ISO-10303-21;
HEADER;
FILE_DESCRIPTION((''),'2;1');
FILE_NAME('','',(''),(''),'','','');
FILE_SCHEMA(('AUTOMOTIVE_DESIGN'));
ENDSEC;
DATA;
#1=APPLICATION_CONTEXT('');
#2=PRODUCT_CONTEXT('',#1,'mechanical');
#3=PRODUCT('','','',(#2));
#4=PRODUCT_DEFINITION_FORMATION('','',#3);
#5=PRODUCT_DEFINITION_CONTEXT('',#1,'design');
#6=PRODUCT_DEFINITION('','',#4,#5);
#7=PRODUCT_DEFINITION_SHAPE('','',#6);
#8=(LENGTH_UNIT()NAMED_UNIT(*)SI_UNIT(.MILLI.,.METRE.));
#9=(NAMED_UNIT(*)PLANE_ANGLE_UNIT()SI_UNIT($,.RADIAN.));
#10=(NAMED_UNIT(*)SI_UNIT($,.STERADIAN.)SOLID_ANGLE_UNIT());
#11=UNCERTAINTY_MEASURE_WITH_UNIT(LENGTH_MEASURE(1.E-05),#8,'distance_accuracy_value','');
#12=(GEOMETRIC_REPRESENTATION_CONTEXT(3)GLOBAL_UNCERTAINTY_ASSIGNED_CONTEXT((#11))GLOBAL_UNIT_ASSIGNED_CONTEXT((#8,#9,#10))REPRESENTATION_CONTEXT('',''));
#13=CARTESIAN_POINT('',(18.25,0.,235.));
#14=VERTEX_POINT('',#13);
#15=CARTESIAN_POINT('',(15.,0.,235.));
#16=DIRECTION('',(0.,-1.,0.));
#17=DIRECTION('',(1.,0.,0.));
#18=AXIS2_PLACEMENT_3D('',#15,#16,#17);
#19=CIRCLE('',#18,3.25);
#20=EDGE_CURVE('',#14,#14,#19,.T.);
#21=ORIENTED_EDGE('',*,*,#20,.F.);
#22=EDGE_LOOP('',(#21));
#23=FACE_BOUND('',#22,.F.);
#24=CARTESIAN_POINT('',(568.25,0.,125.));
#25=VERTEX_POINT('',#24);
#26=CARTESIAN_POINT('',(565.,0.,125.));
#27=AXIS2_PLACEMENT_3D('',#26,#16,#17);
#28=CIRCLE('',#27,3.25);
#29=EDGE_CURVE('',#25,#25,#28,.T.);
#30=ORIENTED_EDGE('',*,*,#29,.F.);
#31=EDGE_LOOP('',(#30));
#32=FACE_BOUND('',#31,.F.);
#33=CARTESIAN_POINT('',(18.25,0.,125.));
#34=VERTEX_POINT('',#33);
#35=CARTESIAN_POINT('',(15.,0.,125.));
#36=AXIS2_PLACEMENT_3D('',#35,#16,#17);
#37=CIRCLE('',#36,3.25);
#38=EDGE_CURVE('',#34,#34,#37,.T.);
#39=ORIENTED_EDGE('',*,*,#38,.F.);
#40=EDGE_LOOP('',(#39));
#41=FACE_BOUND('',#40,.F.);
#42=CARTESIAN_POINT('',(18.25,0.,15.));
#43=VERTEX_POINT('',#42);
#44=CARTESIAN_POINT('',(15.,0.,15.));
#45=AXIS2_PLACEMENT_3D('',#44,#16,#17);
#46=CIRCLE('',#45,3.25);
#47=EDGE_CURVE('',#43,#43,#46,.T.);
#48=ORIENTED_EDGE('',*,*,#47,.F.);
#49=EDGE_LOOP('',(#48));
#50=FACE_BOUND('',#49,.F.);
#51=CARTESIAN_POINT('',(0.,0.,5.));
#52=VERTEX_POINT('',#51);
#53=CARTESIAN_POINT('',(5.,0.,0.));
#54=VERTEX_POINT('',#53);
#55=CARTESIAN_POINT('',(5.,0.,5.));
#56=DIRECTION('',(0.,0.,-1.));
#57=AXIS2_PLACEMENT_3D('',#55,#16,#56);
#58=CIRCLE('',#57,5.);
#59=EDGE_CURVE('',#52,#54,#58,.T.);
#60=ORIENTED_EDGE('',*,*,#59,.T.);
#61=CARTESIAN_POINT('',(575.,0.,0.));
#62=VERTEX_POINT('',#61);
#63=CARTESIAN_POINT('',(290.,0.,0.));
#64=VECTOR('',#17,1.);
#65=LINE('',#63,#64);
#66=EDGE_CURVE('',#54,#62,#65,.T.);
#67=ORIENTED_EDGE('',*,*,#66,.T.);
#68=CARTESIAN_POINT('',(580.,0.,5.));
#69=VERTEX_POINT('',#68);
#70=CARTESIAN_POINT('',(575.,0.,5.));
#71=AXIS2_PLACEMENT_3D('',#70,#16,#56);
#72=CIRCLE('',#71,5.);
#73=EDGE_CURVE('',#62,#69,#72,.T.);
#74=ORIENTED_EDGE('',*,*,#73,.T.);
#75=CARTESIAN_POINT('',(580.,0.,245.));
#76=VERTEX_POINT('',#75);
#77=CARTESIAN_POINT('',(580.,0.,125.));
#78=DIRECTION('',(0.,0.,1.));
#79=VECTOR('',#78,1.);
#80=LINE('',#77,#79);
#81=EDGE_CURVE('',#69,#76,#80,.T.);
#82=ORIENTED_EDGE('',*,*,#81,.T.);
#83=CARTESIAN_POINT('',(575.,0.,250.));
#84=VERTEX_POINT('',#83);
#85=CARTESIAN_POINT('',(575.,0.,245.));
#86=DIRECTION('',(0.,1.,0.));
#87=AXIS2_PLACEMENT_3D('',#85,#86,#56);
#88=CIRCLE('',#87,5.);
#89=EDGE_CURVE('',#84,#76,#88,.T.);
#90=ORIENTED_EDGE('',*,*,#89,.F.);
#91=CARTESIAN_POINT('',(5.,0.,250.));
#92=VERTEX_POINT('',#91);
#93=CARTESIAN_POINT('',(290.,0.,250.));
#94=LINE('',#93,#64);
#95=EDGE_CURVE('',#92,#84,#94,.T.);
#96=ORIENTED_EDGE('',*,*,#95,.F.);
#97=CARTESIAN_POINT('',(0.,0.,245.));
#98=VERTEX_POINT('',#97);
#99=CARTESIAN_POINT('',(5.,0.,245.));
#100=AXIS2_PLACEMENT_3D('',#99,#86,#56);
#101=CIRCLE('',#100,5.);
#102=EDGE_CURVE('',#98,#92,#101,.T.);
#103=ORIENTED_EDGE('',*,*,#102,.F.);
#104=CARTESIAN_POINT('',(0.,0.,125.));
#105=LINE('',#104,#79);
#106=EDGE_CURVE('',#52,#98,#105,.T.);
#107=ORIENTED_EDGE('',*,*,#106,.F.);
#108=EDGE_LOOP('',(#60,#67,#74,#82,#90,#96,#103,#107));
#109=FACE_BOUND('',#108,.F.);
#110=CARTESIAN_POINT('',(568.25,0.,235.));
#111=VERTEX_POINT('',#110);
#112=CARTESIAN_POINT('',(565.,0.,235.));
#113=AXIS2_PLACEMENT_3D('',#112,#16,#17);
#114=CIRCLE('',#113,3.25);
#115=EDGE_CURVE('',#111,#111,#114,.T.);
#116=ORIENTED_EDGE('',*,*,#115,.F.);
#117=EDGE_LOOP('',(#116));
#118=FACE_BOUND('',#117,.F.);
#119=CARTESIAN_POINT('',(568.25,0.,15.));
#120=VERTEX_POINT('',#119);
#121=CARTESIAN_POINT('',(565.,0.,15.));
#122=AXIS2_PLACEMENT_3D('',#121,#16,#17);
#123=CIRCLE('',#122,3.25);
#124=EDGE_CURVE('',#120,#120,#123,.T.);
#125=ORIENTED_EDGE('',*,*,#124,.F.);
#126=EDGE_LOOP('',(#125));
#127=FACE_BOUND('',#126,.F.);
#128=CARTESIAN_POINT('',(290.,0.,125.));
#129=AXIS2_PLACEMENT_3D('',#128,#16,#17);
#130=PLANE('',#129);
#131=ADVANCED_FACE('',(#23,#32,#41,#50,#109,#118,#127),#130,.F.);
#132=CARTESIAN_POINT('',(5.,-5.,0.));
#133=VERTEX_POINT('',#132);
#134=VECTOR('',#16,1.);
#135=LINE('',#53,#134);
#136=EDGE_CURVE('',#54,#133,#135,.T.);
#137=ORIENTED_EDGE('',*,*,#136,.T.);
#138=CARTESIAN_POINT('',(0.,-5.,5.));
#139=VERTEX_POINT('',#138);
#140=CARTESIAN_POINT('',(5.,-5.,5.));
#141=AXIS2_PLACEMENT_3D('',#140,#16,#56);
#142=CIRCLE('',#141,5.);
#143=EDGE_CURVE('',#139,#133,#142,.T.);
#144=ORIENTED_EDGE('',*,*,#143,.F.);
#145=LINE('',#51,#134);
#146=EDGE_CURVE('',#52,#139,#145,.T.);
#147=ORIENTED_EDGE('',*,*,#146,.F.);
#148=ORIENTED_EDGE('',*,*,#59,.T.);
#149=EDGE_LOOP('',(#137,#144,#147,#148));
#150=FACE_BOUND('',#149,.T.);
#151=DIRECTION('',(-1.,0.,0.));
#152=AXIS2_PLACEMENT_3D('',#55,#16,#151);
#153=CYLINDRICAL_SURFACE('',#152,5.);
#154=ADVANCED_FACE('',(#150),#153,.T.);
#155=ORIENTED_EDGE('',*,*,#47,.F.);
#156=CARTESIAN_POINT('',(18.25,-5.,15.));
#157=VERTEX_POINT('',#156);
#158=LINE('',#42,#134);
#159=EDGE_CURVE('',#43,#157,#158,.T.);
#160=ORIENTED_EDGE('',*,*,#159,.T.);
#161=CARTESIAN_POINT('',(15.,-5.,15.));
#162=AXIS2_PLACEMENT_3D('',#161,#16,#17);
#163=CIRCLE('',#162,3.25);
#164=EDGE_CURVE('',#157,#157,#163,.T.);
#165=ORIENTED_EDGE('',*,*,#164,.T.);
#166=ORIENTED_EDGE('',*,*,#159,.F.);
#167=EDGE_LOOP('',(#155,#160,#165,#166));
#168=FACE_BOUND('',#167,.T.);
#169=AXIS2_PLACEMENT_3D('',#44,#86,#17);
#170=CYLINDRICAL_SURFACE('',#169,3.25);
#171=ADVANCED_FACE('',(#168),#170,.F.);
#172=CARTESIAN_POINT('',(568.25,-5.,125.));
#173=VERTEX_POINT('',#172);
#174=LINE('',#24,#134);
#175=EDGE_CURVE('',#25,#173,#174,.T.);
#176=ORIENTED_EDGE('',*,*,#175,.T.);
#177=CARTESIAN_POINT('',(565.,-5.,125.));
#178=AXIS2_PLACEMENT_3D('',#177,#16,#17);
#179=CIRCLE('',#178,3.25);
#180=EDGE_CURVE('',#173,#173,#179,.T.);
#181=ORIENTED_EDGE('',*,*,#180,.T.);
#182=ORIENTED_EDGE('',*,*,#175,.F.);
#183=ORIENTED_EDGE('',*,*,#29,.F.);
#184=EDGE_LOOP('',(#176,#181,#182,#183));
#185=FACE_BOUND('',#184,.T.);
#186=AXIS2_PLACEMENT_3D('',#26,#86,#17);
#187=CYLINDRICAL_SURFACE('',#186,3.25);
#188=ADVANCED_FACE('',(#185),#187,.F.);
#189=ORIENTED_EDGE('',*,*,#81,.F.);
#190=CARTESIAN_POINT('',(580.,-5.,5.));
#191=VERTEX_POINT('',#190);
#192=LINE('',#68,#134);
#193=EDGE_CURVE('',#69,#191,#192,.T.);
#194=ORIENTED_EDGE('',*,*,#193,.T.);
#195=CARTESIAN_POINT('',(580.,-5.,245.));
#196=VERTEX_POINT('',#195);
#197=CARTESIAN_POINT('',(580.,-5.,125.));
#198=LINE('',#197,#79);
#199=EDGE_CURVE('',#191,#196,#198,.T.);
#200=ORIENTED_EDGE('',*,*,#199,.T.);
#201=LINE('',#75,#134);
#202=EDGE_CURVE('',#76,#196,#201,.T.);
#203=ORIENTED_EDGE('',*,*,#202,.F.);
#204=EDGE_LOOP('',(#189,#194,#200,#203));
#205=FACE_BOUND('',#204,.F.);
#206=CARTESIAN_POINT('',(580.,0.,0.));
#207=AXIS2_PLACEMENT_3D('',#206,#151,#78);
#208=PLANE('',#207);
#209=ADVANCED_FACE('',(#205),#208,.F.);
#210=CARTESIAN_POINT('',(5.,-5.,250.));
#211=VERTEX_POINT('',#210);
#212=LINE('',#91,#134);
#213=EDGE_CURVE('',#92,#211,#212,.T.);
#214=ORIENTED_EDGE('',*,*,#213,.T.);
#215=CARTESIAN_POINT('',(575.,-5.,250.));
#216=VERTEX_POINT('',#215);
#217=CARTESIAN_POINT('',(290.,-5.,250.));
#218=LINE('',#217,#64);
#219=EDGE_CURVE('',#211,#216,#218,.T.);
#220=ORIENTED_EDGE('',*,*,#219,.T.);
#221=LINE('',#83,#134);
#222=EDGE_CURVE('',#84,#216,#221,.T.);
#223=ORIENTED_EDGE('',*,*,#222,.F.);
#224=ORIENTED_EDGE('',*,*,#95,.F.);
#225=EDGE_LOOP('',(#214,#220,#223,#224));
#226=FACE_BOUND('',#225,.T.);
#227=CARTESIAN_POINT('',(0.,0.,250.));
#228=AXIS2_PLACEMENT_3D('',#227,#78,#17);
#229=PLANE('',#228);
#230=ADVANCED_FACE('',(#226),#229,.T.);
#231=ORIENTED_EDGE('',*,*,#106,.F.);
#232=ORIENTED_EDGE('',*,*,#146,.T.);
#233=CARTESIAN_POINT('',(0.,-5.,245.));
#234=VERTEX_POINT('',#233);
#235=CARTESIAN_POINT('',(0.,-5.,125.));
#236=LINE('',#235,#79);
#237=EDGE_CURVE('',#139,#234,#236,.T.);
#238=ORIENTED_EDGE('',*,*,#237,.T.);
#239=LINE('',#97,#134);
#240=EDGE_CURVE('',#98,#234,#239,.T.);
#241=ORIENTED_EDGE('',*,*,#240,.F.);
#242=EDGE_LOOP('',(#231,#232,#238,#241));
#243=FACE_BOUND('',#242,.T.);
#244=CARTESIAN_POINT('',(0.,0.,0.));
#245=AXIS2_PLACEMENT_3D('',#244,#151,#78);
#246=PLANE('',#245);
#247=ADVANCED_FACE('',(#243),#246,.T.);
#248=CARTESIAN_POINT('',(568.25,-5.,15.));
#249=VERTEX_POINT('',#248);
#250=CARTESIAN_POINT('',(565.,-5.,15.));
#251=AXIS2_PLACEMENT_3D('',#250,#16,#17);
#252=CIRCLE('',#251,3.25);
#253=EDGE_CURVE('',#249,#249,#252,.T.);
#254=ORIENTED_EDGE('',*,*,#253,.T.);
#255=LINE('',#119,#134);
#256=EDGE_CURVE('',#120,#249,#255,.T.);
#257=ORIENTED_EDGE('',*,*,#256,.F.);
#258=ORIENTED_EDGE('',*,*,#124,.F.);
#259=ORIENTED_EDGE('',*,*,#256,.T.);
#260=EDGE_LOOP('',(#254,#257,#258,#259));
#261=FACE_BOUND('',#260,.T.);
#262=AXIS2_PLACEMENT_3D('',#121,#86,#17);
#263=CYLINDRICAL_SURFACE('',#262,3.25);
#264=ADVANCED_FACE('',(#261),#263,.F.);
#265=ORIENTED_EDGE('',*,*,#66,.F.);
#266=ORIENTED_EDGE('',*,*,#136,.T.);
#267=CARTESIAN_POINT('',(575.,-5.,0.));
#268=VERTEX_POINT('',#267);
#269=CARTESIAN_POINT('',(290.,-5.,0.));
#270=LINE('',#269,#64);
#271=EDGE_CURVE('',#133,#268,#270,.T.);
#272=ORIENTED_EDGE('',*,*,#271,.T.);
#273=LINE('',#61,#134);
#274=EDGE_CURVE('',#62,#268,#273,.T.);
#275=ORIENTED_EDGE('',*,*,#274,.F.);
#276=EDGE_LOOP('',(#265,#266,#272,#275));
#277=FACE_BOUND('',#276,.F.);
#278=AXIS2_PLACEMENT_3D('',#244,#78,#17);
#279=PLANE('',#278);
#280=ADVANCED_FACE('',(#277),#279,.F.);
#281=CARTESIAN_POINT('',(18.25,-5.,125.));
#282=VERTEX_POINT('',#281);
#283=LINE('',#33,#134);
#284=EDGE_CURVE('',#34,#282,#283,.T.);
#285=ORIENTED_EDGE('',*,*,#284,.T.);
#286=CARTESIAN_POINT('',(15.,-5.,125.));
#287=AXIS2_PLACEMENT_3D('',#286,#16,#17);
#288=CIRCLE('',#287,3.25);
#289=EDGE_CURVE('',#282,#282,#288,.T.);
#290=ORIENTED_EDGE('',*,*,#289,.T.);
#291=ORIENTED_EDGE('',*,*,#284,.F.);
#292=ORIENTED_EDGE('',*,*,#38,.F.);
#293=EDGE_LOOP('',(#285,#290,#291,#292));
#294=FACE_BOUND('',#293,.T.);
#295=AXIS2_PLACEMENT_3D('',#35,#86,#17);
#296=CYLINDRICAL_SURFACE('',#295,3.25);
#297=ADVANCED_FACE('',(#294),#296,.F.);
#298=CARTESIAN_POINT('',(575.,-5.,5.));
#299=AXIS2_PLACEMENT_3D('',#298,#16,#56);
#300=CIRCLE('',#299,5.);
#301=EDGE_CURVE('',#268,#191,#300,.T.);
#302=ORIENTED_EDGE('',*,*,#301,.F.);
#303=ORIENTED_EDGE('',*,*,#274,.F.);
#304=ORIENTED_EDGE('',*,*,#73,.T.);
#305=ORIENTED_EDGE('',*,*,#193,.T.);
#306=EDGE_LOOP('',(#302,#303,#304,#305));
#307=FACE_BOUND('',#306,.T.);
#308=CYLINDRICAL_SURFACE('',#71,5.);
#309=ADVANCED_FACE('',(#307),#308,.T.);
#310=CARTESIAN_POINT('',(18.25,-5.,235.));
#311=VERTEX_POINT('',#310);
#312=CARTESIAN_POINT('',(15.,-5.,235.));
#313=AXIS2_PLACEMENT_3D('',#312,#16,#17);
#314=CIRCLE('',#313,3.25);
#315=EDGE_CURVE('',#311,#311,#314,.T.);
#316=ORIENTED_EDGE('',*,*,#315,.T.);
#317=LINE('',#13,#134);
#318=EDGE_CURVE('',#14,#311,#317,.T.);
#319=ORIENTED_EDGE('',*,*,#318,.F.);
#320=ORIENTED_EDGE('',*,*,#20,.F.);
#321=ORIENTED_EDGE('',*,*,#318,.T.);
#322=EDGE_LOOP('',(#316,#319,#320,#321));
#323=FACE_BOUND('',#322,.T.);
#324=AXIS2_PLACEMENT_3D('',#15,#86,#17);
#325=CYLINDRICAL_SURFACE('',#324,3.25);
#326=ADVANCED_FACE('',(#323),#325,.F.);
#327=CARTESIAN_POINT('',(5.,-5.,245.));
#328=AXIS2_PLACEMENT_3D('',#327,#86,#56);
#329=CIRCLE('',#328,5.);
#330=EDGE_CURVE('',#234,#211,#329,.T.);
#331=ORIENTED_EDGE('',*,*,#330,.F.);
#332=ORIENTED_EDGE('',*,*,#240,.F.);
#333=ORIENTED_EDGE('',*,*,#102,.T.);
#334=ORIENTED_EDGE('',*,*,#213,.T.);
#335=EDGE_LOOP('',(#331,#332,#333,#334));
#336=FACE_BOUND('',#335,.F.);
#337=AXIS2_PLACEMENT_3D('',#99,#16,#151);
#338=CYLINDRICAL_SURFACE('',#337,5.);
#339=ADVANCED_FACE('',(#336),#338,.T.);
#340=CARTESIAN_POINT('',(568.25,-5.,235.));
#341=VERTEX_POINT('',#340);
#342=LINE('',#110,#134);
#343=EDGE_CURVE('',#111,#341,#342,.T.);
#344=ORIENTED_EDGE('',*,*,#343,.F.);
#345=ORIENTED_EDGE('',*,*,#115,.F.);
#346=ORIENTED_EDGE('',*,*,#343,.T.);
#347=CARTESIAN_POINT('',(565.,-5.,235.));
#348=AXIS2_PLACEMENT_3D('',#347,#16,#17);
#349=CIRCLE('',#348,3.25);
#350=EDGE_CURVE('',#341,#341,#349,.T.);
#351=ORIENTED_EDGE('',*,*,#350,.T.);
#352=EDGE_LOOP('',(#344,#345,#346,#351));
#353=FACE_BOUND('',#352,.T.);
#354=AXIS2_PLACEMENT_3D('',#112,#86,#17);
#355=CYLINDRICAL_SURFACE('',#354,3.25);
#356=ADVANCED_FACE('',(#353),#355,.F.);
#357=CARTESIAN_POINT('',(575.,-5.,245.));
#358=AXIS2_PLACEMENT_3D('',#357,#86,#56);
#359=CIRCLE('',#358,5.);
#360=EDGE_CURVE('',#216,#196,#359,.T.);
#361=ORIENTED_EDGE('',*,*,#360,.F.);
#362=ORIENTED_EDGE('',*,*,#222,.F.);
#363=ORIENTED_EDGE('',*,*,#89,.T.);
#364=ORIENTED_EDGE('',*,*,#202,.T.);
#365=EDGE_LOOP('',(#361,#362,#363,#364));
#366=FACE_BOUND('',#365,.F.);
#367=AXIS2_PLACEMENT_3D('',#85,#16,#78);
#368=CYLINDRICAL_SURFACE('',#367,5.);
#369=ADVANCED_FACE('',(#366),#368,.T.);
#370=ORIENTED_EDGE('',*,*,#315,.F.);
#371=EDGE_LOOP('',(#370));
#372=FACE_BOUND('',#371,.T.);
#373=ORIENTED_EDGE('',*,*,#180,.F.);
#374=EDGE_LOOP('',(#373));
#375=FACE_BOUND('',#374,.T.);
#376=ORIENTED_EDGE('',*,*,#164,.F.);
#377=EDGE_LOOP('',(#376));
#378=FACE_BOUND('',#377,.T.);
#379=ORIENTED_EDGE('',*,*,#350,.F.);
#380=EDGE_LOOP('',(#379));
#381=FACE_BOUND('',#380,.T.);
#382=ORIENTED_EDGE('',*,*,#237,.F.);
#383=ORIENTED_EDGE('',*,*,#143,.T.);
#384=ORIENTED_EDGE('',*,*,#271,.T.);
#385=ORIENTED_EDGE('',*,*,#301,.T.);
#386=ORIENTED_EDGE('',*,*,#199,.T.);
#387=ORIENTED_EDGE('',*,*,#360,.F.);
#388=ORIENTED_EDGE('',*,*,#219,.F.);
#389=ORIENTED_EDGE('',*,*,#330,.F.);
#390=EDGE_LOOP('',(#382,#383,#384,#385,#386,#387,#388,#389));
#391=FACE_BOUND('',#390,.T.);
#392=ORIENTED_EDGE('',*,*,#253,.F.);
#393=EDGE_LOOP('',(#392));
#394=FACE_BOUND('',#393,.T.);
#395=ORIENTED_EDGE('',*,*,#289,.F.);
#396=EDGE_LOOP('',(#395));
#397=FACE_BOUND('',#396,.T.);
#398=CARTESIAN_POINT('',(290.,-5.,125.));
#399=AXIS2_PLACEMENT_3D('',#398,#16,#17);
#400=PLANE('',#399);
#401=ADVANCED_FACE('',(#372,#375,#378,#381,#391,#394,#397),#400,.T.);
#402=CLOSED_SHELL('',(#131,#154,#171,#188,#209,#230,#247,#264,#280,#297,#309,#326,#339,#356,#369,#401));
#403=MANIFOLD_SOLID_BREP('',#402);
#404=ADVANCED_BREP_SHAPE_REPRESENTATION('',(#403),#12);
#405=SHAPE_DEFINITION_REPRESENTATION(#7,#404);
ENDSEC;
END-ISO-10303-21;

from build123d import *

# Parameters (mm, degrees)
F0_W     = 580
F0_H     = 250
F0_R     = 3.25
F1_DEPTH = 5
F2_R     = 5


with BuildPart() as f1:
    # F0 (on Front) → F1 (new body)
    with BuildSketch(Plane.XZ):
        with Locations((290, 125)):
            Rectangle(F0_W, F0_H)
        with Locations((15, 15)):
            Circle(F0_R, mode=Mode.SUBTRACT)
        with Locations((565, 15)):
            Circle(F0_R, mode=Mode.SUBTRACT)
        with Locations((15, 125)):
            Circle(F0_R, mode=Mode.SUBTRACT)
        with Locations((15, 235)):
            Circle(F0_R, mode=Mode.SUBTRACT)
        with Locations((565, 125)):
            Circle(F0_R, mode=Mode.SUBTRACT)
        with Locations((565, 235)):
            Circle(F0_R, mode=Mode.SUBTRACT)
    extrude(amount=F1_DEPTH)

    # F2
    f2_edges = [f1.edges().sort_by_distance(p)[0] for p in [
        (0, -2.5, 250),
        (0, -2.5, 0),
        (580, -2.5, 0),
        (580, -2.5, 250),
    ]]
    fillet(f2_edges, radius=F2_R)


solid = f1.part
